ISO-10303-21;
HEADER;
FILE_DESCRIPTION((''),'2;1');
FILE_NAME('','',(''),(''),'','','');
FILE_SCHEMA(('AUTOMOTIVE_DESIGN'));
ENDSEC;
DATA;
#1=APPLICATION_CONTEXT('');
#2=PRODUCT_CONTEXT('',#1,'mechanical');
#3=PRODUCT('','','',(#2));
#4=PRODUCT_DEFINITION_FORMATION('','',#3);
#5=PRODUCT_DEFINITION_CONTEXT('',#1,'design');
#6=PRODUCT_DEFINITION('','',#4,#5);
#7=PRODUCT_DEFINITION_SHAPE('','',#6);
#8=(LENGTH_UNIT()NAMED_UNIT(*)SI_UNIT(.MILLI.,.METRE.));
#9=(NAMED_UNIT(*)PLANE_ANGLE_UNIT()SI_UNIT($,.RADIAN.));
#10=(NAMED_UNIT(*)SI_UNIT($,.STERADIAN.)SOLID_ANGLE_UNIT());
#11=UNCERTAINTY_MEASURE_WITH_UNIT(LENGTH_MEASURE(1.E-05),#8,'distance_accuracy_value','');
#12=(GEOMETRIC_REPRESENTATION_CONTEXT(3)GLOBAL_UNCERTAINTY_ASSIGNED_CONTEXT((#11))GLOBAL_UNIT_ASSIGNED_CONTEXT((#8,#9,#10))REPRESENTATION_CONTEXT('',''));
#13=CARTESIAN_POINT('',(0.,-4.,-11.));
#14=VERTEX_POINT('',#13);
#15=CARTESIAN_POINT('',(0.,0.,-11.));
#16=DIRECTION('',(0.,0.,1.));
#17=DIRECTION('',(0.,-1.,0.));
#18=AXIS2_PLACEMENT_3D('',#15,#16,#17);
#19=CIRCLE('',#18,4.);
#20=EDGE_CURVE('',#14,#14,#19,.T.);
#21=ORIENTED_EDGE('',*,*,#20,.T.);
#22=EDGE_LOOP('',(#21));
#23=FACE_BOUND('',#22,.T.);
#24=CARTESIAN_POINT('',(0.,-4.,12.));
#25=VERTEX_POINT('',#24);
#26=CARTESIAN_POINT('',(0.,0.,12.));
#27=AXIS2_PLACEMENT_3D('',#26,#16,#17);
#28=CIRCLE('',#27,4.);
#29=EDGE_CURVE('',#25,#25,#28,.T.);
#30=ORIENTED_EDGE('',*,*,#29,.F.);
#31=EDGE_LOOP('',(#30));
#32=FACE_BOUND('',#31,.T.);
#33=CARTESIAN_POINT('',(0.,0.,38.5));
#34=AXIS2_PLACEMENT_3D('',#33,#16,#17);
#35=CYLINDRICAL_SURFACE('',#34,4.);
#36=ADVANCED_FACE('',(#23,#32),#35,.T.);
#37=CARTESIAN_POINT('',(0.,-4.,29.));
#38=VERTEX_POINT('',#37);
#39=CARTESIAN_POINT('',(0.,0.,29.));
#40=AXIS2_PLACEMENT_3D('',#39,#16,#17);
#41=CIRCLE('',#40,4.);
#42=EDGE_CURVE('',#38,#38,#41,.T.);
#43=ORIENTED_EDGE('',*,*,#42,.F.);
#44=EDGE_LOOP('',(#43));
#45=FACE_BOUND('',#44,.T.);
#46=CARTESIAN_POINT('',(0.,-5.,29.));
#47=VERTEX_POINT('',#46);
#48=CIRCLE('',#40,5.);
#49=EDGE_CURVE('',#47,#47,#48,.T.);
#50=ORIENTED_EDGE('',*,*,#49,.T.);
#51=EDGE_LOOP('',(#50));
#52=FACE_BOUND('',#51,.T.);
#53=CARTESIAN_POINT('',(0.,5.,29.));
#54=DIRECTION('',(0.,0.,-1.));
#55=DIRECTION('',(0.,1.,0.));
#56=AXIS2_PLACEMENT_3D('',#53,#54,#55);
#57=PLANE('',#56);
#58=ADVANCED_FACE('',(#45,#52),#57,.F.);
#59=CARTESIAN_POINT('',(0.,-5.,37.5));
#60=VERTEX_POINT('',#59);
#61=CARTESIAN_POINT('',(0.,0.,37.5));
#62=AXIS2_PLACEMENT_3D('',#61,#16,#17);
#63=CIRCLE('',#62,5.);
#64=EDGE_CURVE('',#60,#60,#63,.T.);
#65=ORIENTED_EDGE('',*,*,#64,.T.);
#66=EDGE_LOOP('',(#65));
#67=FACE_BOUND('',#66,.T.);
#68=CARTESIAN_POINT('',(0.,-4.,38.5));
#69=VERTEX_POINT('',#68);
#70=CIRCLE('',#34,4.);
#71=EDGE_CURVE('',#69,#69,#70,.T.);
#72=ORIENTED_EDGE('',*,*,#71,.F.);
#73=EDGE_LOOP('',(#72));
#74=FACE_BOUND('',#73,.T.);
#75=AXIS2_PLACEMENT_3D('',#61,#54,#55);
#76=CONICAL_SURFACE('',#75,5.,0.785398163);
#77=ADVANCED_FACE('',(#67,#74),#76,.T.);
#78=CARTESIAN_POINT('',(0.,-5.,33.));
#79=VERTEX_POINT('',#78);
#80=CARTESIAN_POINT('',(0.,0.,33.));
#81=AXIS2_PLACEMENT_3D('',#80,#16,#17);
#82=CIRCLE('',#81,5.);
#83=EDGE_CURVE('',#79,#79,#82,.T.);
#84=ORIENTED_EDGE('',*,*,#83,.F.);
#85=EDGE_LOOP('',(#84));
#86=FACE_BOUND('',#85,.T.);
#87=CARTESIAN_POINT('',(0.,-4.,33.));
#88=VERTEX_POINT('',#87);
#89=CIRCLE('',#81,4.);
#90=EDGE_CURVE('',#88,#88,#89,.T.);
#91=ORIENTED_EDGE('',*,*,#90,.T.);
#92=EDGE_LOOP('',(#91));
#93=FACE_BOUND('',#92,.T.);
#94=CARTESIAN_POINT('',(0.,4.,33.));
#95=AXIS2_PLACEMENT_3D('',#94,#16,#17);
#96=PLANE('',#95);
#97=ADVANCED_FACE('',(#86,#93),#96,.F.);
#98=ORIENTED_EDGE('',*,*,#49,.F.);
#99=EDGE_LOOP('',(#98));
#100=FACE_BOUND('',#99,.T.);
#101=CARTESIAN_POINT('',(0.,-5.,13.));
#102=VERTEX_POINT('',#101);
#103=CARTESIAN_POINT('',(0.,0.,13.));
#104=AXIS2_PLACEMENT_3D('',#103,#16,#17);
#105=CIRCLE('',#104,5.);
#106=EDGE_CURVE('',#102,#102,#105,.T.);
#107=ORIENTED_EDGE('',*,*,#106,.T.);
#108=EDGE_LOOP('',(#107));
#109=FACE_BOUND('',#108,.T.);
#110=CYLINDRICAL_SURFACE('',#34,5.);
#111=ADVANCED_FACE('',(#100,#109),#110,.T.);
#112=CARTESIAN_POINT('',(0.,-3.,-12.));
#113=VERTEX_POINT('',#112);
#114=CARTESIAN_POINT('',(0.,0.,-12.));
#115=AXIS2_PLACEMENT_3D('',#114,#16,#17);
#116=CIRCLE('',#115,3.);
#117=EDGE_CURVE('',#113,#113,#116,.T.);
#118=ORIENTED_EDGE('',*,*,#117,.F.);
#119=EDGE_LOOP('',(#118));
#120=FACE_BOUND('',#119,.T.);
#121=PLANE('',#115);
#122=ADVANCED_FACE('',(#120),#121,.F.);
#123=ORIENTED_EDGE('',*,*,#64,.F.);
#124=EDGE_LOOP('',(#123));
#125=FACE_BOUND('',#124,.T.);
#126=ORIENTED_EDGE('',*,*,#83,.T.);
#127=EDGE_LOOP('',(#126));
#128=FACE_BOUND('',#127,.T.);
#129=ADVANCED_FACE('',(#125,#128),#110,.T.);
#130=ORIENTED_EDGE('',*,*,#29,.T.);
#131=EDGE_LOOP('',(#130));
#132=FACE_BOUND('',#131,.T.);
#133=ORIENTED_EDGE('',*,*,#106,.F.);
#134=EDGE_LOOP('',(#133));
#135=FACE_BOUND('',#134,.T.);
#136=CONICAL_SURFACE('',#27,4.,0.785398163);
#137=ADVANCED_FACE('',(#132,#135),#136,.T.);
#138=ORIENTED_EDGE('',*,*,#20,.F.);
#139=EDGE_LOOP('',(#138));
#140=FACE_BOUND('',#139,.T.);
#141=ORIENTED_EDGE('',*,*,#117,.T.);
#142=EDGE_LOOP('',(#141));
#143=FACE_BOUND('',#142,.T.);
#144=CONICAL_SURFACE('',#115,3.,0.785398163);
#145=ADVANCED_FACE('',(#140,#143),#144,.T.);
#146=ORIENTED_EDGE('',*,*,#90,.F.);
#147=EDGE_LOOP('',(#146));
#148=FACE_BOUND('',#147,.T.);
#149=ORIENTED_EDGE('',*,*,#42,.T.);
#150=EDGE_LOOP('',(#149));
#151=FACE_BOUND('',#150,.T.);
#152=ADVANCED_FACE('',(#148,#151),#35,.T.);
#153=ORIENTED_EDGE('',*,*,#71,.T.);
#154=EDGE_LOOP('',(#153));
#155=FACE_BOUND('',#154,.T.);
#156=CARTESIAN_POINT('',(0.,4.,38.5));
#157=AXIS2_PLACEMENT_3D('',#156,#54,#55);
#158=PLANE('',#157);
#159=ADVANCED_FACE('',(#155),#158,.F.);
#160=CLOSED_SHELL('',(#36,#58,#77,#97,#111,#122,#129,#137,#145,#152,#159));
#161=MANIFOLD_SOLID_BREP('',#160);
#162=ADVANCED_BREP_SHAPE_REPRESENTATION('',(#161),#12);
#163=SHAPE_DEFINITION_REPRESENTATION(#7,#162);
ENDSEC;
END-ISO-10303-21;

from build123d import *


with BuildPart() as part:
    # Esquisse1 → Révolution1 (revolve)
    with BuildSketch(Plane(origin=(0, 0, 0), x_dir=(0, 0, -1), z_dir=(1, 0, 0)), mode=Mode.PRIVATE) as r_volution1_sk:
        Polygon((11, 4), (-12, 4), (-13, 5), (-29, 5), (-29, 4), (-33, 4), (-33, 5), (-37.5, 5), (-38.5, 4), (-38.5, 0), (12, 0), (12, 3), align=None)
    revolve(r_volution1_sk.sketch.rotate(Axis((0, 0, 38.5), (0, 0, -1)), 180), axis=Axis((0, 0, 38.5), (0, 0, -1)))


solid = part.part
